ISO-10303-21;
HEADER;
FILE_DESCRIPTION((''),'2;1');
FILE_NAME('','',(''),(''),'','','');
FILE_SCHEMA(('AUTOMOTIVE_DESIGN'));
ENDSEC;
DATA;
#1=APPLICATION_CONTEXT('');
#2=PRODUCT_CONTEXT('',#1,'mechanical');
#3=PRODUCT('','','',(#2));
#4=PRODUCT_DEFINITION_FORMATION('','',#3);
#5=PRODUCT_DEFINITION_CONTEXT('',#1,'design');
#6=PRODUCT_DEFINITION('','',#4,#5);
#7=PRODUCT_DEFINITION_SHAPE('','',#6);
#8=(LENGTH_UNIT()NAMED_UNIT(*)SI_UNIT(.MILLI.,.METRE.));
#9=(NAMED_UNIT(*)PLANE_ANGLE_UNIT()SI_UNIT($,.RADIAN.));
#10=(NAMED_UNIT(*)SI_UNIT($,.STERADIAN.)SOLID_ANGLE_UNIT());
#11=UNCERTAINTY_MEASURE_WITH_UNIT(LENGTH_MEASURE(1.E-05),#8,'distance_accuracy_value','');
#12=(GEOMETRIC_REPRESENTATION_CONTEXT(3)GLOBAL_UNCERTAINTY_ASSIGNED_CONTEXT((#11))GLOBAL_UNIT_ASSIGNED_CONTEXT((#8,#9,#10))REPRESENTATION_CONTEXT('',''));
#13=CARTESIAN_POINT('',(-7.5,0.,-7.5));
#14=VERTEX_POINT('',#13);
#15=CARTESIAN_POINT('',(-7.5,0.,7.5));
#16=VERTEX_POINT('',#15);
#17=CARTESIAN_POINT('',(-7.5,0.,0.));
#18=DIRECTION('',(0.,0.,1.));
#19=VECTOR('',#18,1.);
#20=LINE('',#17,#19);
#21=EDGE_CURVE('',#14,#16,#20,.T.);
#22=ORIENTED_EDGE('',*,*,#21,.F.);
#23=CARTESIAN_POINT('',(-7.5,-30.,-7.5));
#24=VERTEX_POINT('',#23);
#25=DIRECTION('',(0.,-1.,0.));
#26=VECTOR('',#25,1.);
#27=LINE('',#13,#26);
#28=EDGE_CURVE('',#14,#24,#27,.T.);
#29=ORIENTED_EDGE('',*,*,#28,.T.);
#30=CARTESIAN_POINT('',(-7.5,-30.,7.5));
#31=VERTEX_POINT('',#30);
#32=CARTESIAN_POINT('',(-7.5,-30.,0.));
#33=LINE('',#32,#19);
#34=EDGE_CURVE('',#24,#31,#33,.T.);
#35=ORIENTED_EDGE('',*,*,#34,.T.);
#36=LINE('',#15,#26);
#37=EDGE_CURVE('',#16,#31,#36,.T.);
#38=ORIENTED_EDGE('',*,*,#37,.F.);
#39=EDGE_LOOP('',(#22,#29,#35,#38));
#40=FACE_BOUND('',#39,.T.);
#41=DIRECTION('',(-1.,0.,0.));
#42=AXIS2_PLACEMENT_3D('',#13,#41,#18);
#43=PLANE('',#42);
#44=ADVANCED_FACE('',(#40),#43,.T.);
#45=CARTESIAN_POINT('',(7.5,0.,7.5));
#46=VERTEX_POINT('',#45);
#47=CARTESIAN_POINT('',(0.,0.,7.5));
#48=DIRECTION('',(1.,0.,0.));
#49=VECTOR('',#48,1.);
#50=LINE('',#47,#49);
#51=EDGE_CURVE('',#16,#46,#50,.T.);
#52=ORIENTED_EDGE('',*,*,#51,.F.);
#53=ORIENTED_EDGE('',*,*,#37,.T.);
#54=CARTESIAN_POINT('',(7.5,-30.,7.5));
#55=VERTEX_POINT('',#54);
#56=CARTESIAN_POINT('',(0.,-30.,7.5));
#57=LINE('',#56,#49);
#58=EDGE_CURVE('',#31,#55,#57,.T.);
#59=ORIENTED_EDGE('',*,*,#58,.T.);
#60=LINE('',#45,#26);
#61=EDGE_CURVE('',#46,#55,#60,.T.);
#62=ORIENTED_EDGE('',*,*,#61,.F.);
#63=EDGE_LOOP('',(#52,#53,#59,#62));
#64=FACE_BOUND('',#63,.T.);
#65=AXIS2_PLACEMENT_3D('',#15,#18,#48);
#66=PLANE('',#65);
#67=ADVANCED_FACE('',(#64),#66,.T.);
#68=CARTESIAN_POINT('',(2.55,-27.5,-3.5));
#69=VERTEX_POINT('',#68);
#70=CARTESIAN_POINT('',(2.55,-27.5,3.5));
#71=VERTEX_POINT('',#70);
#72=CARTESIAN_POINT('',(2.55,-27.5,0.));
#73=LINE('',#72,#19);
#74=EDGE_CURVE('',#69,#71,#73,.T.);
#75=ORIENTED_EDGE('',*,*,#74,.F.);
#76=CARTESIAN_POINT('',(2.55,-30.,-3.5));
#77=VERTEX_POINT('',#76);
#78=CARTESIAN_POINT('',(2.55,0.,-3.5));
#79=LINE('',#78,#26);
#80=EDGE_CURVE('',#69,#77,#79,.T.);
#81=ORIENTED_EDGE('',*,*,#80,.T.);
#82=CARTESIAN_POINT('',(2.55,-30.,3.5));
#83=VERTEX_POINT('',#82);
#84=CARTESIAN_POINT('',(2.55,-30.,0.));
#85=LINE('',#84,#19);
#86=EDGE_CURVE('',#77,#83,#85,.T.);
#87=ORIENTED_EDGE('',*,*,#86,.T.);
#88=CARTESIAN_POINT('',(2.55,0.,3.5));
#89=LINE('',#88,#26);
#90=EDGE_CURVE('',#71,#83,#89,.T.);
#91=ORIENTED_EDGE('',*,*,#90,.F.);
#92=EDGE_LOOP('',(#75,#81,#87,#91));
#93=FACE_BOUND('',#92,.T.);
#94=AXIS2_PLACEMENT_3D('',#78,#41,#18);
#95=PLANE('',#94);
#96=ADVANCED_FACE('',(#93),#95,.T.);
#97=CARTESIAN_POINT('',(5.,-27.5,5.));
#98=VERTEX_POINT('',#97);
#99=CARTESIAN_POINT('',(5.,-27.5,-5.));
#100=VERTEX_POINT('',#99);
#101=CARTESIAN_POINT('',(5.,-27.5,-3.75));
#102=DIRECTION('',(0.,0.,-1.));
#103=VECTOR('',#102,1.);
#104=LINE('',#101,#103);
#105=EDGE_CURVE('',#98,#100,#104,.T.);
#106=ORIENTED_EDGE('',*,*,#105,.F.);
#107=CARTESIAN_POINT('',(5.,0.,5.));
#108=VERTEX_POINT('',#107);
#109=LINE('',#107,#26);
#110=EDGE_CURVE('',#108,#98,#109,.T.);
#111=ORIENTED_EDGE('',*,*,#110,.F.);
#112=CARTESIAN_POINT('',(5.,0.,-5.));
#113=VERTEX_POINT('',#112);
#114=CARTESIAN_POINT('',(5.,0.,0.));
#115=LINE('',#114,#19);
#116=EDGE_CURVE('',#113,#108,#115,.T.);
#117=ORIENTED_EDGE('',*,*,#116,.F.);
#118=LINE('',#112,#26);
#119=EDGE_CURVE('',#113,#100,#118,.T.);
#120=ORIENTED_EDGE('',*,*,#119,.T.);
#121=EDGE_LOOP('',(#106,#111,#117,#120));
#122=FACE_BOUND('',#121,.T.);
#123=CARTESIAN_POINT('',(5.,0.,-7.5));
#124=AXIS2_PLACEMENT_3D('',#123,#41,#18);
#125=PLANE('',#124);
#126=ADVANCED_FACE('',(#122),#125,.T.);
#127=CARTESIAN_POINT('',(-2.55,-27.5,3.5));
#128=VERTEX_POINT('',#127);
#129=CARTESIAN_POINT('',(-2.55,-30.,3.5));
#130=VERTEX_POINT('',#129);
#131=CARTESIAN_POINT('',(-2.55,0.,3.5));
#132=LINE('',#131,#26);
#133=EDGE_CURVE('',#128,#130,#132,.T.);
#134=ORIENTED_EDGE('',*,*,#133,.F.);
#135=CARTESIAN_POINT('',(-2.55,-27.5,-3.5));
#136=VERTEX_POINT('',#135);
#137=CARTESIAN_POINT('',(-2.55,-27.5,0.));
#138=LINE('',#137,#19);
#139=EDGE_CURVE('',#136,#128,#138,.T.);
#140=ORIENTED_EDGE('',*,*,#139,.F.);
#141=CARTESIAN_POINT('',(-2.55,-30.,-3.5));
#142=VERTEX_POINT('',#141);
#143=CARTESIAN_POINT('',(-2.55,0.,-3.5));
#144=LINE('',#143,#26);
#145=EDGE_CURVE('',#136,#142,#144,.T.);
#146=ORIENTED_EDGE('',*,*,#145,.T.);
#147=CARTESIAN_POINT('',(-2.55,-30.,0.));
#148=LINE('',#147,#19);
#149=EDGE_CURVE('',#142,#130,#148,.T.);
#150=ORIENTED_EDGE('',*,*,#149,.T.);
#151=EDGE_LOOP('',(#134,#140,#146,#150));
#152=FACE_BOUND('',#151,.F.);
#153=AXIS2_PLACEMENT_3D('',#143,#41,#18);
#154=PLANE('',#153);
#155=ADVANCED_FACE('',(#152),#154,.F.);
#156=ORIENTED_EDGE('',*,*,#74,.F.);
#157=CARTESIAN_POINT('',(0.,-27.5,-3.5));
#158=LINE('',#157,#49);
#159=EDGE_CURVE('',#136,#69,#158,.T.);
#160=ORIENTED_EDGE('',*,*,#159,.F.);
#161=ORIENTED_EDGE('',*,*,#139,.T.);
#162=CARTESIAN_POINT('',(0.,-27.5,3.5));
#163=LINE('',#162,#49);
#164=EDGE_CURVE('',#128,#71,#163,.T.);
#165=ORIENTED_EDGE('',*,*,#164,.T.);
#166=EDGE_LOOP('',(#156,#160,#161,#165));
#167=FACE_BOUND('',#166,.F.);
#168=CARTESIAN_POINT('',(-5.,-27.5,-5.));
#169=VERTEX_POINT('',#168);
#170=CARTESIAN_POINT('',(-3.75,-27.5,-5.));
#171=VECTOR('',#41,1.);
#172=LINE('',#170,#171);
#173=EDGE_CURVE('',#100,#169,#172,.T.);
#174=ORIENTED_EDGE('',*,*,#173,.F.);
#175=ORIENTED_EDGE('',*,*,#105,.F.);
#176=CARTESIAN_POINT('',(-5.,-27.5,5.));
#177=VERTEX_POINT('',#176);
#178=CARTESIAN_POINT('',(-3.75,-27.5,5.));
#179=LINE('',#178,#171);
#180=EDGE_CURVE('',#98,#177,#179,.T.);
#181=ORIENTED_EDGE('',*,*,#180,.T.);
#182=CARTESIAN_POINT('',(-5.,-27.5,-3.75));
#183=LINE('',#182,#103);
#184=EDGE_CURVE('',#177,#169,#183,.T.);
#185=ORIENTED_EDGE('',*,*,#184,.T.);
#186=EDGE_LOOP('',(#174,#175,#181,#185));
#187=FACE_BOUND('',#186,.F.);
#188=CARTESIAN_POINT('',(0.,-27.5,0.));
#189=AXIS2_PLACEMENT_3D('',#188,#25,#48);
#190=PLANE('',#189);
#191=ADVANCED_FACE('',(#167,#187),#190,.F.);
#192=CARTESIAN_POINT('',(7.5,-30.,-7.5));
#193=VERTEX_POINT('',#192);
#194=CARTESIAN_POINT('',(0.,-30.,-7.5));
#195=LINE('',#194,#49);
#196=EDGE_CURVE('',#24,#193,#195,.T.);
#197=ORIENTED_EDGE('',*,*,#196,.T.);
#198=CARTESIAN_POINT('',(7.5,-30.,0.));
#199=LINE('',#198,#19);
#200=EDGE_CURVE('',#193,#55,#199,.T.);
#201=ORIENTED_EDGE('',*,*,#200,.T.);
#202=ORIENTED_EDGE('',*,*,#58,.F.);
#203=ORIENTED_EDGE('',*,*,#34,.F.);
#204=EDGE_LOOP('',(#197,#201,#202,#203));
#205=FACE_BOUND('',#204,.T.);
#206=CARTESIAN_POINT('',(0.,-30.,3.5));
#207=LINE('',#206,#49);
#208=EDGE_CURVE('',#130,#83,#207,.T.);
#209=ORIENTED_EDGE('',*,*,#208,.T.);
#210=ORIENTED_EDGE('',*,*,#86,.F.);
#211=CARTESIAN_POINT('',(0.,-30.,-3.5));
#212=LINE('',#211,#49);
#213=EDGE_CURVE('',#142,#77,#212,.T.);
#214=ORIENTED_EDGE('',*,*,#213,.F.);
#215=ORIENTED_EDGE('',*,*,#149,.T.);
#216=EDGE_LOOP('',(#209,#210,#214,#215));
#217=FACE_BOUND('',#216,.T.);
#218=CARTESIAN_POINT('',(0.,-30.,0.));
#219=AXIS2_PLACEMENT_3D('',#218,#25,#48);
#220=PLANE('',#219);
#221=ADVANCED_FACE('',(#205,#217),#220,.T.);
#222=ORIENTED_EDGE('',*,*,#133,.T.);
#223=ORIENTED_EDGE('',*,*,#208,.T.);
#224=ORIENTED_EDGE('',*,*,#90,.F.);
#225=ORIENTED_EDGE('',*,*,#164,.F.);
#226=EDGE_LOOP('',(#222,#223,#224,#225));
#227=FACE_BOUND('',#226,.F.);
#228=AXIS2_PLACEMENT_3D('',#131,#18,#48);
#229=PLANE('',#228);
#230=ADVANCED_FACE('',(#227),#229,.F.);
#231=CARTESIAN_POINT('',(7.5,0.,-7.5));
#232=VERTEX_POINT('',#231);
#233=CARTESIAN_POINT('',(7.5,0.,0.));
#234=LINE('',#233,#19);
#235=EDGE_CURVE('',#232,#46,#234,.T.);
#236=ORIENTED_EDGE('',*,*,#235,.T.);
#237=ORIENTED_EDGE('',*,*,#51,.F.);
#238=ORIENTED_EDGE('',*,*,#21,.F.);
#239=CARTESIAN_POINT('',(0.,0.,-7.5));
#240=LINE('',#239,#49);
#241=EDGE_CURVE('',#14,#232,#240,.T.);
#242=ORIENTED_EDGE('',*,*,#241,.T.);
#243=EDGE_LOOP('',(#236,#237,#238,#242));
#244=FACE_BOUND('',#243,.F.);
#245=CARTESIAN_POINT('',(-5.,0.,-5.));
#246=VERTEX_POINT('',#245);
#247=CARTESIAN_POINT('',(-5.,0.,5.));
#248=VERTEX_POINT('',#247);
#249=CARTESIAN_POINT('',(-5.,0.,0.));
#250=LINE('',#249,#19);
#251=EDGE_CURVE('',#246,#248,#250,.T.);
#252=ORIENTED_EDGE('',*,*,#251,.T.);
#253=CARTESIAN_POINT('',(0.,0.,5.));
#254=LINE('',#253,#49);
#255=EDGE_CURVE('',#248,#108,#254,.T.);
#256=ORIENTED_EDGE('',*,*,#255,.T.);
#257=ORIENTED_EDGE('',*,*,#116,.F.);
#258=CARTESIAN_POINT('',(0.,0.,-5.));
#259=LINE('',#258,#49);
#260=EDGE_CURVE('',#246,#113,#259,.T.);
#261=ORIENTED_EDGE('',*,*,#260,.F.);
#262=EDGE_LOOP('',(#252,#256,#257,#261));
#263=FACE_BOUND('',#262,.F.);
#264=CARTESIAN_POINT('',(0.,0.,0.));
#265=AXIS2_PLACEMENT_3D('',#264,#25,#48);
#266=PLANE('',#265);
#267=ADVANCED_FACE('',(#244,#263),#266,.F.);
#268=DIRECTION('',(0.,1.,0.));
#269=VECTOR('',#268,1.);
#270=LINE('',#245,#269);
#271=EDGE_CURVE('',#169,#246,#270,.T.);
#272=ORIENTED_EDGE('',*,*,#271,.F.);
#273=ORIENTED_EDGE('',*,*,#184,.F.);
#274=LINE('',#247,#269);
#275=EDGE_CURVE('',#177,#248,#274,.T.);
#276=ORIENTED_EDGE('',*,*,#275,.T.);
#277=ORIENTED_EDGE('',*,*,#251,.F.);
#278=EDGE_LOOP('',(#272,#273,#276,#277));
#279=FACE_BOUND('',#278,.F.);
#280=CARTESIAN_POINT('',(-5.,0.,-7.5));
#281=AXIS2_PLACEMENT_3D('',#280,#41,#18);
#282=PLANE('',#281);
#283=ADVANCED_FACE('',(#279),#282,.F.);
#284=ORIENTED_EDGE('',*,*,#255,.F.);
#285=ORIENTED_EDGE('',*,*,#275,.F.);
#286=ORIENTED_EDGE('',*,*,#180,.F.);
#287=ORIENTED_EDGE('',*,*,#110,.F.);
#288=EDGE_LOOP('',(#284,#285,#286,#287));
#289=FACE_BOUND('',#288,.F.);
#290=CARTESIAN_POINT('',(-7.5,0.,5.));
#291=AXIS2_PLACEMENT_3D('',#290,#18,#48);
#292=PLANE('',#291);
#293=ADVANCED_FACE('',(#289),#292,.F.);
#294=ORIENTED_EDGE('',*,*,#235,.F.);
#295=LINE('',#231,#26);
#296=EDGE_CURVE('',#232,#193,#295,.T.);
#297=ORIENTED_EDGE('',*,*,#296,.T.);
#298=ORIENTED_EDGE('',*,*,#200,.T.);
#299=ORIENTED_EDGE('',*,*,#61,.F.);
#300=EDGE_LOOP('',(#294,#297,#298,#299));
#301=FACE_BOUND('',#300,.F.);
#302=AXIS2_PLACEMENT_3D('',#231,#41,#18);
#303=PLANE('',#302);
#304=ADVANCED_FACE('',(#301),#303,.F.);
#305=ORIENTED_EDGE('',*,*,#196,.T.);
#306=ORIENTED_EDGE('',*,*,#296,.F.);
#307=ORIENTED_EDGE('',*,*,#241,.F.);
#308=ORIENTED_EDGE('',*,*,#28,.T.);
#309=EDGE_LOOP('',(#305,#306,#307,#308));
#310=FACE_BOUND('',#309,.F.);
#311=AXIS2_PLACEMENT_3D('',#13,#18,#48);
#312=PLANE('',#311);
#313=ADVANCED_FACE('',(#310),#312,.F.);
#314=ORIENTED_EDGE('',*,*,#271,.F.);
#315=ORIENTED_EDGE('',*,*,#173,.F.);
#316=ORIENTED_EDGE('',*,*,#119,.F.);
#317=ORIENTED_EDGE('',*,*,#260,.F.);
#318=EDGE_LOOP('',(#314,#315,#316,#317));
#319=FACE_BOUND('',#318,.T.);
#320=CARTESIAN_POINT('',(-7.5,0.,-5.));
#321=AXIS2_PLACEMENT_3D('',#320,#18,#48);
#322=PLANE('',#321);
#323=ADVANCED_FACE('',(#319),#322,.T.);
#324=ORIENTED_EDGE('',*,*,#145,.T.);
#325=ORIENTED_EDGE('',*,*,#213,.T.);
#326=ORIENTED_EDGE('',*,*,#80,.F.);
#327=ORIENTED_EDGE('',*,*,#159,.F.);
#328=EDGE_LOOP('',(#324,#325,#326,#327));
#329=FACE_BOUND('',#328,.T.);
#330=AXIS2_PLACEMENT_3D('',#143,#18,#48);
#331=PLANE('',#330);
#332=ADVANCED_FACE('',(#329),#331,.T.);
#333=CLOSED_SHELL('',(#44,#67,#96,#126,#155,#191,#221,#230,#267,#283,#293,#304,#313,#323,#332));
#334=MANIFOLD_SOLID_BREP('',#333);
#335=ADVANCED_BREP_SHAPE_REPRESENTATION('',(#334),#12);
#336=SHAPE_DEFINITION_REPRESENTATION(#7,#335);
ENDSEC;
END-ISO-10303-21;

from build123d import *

# Parameters (mm, degrees)
F0_W     = 15
F0_H     = 15
F0_W_2   = 5.1
F0_H_2   = 7
F1_DEPTH = 30
F2_T     = -2.5


with BuildPart() as f1:
    # F0 (on Front) → F1 (new body)
    with BuildSketch(Plane.XZ):
        Rectangle(F0_W, F0_H)
        Rectangle(F0_W_2, F0_H_2, mode=Mode.SUBTRACT)
    extrude(amount=F1_DEPTH)

    # F2
    f2_openings = [f1.faces().sort_by_distance(p)[0] for p in [
        (7.287868, 0, 0),
        (0, -15, -3.5),
        (2.55, -15, 0),
        (-2.55, -15, 0),
        (0, -15, 3.5),
    ]]
    offset(amount=F2_T, openings=f2_openings)


solid = f1.part
